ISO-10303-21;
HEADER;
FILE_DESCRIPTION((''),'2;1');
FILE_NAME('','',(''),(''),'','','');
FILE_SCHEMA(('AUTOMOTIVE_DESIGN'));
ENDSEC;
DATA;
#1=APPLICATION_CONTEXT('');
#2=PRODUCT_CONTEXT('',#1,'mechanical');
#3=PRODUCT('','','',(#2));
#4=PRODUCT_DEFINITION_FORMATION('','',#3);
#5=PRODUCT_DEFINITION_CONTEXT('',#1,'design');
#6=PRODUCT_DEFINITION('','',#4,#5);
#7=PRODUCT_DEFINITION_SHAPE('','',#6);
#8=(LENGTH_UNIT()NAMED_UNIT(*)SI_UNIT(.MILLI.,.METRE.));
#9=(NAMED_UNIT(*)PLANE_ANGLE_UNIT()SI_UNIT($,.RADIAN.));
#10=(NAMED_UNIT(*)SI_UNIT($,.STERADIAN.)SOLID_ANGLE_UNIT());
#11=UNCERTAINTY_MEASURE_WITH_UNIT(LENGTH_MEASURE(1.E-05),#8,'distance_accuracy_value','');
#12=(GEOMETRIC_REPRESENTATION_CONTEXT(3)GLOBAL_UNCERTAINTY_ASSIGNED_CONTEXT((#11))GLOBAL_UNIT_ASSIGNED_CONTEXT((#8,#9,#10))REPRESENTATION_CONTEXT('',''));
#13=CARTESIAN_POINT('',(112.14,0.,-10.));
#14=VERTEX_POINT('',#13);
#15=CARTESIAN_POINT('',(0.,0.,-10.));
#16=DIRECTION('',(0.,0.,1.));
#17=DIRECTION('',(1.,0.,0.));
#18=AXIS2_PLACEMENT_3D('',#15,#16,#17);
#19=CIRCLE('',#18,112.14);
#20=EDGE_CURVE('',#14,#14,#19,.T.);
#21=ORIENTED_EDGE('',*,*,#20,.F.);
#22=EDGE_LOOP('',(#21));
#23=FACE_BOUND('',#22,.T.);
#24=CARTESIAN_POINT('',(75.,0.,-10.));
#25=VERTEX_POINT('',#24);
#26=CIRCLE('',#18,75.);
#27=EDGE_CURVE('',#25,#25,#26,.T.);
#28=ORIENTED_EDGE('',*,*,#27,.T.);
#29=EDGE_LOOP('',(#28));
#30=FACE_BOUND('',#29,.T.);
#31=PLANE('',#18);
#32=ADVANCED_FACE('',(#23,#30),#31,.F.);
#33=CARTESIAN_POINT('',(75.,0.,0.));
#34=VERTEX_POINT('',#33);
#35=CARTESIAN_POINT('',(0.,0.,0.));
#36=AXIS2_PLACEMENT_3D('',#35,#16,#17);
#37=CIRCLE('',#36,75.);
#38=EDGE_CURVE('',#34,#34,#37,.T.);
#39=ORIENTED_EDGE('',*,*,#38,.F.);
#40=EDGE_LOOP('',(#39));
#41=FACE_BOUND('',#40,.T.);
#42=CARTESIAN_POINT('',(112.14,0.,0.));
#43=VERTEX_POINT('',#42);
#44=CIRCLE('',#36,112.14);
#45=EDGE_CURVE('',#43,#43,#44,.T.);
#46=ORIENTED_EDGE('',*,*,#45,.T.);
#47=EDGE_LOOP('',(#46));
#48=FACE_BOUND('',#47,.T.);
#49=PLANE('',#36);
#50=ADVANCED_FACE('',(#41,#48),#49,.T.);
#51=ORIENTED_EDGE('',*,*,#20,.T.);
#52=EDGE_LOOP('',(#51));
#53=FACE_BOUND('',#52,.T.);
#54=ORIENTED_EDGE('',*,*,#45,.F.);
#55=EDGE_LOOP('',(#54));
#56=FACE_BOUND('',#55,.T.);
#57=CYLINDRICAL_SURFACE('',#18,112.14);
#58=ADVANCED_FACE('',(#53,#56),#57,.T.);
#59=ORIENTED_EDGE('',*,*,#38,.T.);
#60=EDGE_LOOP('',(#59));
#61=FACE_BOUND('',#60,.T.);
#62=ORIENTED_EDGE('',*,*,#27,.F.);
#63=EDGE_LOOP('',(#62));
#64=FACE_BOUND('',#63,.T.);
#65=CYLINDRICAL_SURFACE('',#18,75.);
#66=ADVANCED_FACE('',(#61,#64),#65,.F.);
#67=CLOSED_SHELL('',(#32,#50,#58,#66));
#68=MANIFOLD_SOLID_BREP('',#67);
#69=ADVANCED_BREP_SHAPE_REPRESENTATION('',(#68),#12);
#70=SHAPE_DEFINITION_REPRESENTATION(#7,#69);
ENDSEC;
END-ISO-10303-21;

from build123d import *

# Parameters (mm, degrees)
SKETCH1_R           = 112.14
SKETCH1_R_2         = 75
BOSS_EXTRUDE1_DEPTH = 10


with BuildPart() as part:
    # Sketch1 → Boss-Extrude1 (new body)
    with BuildSketch(Plane.XY):
        Circle(SKETCH1_R)
        Circle(SKETCH1_R_2, mode=Mode.SUBTRACT)
    extrude(amount=-BOSS_EXTRUDE1_DEPTH)


solid = part.part
